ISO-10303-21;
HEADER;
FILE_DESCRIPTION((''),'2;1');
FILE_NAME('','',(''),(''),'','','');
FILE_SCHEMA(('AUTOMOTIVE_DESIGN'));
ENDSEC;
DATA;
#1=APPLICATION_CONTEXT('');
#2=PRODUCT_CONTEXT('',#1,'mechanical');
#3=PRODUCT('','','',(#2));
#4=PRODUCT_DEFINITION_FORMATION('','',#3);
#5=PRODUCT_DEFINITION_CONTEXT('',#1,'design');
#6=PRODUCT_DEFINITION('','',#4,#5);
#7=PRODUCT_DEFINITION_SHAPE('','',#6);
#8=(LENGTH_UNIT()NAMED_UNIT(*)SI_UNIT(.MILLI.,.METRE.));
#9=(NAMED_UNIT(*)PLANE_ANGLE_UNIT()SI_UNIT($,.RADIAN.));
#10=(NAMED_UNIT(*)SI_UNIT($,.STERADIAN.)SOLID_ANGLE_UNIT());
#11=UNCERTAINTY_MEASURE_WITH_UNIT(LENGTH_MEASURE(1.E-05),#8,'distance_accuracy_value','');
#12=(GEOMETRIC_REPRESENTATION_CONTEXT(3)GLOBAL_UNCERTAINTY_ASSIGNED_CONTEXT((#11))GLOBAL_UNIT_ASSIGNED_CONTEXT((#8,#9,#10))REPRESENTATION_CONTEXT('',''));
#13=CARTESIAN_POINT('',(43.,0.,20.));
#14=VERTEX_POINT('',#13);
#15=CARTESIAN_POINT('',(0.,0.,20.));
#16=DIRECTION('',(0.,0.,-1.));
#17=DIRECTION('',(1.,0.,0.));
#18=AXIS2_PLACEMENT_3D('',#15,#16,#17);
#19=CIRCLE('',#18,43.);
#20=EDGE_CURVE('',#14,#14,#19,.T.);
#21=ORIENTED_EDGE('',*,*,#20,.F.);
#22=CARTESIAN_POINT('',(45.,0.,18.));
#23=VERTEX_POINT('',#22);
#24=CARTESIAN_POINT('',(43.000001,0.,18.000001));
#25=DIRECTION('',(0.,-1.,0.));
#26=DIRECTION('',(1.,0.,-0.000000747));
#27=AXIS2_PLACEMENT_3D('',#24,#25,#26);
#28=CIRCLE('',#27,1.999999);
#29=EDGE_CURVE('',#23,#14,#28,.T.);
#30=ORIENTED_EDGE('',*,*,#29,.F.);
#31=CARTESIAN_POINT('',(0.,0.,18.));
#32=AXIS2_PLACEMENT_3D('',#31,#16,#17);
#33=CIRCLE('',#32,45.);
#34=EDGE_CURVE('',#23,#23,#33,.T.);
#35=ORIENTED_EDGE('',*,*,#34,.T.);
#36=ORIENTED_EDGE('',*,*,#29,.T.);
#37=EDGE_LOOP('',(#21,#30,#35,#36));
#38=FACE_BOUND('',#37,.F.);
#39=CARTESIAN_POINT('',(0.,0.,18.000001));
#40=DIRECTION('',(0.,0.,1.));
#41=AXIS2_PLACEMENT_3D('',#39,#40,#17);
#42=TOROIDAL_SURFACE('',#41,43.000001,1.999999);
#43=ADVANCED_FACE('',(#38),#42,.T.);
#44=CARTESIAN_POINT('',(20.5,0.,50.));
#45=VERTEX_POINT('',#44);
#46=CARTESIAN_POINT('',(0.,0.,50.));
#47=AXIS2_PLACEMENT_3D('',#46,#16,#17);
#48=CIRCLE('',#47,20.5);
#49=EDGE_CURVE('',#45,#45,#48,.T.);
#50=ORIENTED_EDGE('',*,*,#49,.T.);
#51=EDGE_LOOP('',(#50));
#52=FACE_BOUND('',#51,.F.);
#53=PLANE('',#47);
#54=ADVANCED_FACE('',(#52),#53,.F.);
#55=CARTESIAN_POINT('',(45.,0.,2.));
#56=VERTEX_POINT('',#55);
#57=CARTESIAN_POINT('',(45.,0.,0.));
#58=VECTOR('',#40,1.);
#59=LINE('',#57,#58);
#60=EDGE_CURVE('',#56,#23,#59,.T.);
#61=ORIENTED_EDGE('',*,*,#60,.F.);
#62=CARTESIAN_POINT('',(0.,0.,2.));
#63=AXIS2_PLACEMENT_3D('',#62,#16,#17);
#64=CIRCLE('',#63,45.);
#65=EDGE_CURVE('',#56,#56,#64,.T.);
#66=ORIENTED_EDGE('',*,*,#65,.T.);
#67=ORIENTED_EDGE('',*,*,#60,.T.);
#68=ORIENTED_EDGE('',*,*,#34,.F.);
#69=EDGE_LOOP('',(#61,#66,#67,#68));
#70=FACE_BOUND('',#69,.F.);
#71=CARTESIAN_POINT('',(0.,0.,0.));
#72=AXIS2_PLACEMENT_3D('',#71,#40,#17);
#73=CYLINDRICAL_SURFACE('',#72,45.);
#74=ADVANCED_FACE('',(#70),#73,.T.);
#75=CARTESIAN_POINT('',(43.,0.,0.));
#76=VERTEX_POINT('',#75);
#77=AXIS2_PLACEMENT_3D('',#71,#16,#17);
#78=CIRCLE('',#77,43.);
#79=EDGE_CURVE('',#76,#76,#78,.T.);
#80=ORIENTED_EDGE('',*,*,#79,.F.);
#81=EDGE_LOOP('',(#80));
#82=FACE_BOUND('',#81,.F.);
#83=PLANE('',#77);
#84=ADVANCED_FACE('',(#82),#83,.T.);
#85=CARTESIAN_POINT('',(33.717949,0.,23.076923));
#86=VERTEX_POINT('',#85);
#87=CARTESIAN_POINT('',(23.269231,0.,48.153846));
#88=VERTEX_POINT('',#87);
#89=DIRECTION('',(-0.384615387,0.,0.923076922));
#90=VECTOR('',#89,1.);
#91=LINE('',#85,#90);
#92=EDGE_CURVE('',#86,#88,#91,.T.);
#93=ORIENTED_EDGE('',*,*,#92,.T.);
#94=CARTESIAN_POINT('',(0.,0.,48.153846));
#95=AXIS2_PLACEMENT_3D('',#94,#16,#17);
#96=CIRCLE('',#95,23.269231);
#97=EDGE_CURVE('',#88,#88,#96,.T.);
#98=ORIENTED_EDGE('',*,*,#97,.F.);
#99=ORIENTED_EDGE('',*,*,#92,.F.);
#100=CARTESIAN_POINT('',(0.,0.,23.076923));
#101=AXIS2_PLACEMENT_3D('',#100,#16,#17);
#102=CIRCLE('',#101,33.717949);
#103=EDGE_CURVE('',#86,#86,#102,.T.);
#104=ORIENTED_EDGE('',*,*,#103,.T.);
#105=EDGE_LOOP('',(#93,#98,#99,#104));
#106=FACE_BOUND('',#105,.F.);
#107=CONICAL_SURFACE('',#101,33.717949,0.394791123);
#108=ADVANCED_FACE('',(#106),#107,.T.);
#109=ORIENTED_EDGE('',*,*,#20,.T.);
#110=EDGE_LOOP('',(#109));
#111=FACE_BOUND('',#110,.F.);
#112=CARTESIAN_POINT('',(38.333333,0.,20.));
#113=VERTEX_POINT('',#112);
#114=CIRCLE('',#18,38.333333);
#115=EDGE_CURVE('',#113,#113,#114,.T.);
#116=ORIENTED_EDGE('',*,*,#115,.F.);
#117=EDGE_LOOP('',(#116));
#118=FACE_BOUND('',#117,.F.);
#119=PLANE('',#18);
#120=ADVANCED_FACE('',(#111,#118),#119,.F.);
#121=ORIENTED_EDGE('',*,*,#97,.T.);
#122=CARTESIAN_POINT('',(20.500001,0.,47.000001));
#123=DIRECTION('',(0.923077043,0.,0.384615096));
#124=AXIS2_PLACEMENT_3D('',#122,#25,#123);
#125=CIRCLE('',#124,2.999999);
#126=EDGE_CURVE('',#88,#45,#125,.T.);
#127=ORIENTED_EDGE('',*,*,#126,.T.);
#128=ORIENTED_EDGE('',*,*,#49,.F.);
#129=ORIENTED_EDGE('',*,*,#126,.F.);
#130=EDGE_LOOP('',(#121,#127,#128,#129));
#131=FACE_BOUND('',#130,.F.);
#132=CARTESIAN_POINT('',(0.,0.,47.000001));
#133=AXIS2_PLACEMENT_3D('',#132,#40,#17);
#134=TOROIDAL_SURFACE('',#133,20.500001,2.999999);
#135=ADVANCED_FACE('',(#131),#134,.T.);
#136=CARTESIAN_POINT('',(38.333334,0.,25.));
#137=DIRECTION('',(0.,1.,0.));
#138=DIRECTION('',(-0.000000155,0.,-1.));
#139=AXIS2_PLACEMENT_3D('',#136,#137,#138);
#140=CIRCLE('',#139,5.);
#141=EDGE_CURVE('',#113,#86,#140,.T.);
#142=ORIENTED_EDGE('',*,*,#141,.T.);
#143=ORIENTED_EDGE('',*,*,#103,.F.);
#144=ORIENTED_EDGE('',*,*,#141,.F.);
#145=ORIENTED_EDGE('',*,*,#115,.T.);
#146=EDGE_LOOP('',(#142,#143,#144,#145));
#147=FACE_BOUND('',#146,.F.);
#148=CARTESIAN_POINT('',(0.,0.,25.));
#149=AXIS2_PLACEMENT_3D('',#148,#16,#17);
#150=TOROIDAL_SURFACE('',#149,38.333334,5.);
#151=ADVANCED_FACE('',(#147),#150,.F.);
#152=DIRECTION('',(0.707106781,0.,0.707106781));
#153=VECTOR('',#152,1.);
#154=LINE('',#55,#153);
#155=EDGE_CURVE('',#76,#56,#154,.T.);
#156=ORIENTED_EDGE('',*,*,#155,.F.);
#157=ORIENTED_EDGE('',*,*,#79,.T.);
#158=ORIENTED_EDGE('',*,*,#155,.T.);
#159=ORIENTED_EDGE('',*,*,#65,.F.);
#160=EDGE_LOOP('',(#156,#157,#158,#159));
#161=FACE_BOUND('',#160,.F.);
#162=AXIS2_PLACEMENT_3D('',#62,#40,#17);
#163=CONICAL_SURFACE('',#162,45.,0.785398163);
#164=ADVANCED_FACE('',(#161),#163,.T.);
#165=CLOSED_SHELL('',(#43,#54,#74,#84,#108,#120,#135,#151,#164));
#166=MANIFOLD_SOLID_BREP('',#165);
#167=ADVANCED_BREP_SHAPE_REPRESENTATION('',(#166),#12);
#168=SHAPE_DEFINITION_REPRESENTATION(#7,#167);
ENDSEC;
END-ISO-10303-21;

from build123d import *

# Parameters (mm, degrees)
F2_SIZE = 2


with BuildPart() as f1:
    # F0 (on Front) → F1 (revolve)
    with BuildSketch(Plane.XZ):
        with BuildLine():
            Line((20.5, 50), (0, 50))
            Line((0, 50), (0, 0))
            Line((0, 0), (45, 0))
            Line((45, 0), (45, 18))
            ThreePointArc((45, 18), (44.414214, 19.414214), (43, 20))
            Line((43, 20), (38.333333, 20))
            ThreePointArc((38.333333, 20), (35.559832, 20.839749), (33.717949, 23.076923))
            Line((33.717949, 23.076923), (23.269231, 48.153846))
            ThreePointArc((23.269231, 48.153846), (22.164101, 49.496151), (20.5, 50))
        make_face()
    revolve(axis=Axis((0, 0, 18.241253), (0, 0, -1)))

    # F2
    f2_edges = [f1.edges().sort_by_distance(p)[0] for p in [
        (-45, 0, 0),
    ]]
    chamfer(f2_edges, length=F2_SIZE)


solid = f1.part
